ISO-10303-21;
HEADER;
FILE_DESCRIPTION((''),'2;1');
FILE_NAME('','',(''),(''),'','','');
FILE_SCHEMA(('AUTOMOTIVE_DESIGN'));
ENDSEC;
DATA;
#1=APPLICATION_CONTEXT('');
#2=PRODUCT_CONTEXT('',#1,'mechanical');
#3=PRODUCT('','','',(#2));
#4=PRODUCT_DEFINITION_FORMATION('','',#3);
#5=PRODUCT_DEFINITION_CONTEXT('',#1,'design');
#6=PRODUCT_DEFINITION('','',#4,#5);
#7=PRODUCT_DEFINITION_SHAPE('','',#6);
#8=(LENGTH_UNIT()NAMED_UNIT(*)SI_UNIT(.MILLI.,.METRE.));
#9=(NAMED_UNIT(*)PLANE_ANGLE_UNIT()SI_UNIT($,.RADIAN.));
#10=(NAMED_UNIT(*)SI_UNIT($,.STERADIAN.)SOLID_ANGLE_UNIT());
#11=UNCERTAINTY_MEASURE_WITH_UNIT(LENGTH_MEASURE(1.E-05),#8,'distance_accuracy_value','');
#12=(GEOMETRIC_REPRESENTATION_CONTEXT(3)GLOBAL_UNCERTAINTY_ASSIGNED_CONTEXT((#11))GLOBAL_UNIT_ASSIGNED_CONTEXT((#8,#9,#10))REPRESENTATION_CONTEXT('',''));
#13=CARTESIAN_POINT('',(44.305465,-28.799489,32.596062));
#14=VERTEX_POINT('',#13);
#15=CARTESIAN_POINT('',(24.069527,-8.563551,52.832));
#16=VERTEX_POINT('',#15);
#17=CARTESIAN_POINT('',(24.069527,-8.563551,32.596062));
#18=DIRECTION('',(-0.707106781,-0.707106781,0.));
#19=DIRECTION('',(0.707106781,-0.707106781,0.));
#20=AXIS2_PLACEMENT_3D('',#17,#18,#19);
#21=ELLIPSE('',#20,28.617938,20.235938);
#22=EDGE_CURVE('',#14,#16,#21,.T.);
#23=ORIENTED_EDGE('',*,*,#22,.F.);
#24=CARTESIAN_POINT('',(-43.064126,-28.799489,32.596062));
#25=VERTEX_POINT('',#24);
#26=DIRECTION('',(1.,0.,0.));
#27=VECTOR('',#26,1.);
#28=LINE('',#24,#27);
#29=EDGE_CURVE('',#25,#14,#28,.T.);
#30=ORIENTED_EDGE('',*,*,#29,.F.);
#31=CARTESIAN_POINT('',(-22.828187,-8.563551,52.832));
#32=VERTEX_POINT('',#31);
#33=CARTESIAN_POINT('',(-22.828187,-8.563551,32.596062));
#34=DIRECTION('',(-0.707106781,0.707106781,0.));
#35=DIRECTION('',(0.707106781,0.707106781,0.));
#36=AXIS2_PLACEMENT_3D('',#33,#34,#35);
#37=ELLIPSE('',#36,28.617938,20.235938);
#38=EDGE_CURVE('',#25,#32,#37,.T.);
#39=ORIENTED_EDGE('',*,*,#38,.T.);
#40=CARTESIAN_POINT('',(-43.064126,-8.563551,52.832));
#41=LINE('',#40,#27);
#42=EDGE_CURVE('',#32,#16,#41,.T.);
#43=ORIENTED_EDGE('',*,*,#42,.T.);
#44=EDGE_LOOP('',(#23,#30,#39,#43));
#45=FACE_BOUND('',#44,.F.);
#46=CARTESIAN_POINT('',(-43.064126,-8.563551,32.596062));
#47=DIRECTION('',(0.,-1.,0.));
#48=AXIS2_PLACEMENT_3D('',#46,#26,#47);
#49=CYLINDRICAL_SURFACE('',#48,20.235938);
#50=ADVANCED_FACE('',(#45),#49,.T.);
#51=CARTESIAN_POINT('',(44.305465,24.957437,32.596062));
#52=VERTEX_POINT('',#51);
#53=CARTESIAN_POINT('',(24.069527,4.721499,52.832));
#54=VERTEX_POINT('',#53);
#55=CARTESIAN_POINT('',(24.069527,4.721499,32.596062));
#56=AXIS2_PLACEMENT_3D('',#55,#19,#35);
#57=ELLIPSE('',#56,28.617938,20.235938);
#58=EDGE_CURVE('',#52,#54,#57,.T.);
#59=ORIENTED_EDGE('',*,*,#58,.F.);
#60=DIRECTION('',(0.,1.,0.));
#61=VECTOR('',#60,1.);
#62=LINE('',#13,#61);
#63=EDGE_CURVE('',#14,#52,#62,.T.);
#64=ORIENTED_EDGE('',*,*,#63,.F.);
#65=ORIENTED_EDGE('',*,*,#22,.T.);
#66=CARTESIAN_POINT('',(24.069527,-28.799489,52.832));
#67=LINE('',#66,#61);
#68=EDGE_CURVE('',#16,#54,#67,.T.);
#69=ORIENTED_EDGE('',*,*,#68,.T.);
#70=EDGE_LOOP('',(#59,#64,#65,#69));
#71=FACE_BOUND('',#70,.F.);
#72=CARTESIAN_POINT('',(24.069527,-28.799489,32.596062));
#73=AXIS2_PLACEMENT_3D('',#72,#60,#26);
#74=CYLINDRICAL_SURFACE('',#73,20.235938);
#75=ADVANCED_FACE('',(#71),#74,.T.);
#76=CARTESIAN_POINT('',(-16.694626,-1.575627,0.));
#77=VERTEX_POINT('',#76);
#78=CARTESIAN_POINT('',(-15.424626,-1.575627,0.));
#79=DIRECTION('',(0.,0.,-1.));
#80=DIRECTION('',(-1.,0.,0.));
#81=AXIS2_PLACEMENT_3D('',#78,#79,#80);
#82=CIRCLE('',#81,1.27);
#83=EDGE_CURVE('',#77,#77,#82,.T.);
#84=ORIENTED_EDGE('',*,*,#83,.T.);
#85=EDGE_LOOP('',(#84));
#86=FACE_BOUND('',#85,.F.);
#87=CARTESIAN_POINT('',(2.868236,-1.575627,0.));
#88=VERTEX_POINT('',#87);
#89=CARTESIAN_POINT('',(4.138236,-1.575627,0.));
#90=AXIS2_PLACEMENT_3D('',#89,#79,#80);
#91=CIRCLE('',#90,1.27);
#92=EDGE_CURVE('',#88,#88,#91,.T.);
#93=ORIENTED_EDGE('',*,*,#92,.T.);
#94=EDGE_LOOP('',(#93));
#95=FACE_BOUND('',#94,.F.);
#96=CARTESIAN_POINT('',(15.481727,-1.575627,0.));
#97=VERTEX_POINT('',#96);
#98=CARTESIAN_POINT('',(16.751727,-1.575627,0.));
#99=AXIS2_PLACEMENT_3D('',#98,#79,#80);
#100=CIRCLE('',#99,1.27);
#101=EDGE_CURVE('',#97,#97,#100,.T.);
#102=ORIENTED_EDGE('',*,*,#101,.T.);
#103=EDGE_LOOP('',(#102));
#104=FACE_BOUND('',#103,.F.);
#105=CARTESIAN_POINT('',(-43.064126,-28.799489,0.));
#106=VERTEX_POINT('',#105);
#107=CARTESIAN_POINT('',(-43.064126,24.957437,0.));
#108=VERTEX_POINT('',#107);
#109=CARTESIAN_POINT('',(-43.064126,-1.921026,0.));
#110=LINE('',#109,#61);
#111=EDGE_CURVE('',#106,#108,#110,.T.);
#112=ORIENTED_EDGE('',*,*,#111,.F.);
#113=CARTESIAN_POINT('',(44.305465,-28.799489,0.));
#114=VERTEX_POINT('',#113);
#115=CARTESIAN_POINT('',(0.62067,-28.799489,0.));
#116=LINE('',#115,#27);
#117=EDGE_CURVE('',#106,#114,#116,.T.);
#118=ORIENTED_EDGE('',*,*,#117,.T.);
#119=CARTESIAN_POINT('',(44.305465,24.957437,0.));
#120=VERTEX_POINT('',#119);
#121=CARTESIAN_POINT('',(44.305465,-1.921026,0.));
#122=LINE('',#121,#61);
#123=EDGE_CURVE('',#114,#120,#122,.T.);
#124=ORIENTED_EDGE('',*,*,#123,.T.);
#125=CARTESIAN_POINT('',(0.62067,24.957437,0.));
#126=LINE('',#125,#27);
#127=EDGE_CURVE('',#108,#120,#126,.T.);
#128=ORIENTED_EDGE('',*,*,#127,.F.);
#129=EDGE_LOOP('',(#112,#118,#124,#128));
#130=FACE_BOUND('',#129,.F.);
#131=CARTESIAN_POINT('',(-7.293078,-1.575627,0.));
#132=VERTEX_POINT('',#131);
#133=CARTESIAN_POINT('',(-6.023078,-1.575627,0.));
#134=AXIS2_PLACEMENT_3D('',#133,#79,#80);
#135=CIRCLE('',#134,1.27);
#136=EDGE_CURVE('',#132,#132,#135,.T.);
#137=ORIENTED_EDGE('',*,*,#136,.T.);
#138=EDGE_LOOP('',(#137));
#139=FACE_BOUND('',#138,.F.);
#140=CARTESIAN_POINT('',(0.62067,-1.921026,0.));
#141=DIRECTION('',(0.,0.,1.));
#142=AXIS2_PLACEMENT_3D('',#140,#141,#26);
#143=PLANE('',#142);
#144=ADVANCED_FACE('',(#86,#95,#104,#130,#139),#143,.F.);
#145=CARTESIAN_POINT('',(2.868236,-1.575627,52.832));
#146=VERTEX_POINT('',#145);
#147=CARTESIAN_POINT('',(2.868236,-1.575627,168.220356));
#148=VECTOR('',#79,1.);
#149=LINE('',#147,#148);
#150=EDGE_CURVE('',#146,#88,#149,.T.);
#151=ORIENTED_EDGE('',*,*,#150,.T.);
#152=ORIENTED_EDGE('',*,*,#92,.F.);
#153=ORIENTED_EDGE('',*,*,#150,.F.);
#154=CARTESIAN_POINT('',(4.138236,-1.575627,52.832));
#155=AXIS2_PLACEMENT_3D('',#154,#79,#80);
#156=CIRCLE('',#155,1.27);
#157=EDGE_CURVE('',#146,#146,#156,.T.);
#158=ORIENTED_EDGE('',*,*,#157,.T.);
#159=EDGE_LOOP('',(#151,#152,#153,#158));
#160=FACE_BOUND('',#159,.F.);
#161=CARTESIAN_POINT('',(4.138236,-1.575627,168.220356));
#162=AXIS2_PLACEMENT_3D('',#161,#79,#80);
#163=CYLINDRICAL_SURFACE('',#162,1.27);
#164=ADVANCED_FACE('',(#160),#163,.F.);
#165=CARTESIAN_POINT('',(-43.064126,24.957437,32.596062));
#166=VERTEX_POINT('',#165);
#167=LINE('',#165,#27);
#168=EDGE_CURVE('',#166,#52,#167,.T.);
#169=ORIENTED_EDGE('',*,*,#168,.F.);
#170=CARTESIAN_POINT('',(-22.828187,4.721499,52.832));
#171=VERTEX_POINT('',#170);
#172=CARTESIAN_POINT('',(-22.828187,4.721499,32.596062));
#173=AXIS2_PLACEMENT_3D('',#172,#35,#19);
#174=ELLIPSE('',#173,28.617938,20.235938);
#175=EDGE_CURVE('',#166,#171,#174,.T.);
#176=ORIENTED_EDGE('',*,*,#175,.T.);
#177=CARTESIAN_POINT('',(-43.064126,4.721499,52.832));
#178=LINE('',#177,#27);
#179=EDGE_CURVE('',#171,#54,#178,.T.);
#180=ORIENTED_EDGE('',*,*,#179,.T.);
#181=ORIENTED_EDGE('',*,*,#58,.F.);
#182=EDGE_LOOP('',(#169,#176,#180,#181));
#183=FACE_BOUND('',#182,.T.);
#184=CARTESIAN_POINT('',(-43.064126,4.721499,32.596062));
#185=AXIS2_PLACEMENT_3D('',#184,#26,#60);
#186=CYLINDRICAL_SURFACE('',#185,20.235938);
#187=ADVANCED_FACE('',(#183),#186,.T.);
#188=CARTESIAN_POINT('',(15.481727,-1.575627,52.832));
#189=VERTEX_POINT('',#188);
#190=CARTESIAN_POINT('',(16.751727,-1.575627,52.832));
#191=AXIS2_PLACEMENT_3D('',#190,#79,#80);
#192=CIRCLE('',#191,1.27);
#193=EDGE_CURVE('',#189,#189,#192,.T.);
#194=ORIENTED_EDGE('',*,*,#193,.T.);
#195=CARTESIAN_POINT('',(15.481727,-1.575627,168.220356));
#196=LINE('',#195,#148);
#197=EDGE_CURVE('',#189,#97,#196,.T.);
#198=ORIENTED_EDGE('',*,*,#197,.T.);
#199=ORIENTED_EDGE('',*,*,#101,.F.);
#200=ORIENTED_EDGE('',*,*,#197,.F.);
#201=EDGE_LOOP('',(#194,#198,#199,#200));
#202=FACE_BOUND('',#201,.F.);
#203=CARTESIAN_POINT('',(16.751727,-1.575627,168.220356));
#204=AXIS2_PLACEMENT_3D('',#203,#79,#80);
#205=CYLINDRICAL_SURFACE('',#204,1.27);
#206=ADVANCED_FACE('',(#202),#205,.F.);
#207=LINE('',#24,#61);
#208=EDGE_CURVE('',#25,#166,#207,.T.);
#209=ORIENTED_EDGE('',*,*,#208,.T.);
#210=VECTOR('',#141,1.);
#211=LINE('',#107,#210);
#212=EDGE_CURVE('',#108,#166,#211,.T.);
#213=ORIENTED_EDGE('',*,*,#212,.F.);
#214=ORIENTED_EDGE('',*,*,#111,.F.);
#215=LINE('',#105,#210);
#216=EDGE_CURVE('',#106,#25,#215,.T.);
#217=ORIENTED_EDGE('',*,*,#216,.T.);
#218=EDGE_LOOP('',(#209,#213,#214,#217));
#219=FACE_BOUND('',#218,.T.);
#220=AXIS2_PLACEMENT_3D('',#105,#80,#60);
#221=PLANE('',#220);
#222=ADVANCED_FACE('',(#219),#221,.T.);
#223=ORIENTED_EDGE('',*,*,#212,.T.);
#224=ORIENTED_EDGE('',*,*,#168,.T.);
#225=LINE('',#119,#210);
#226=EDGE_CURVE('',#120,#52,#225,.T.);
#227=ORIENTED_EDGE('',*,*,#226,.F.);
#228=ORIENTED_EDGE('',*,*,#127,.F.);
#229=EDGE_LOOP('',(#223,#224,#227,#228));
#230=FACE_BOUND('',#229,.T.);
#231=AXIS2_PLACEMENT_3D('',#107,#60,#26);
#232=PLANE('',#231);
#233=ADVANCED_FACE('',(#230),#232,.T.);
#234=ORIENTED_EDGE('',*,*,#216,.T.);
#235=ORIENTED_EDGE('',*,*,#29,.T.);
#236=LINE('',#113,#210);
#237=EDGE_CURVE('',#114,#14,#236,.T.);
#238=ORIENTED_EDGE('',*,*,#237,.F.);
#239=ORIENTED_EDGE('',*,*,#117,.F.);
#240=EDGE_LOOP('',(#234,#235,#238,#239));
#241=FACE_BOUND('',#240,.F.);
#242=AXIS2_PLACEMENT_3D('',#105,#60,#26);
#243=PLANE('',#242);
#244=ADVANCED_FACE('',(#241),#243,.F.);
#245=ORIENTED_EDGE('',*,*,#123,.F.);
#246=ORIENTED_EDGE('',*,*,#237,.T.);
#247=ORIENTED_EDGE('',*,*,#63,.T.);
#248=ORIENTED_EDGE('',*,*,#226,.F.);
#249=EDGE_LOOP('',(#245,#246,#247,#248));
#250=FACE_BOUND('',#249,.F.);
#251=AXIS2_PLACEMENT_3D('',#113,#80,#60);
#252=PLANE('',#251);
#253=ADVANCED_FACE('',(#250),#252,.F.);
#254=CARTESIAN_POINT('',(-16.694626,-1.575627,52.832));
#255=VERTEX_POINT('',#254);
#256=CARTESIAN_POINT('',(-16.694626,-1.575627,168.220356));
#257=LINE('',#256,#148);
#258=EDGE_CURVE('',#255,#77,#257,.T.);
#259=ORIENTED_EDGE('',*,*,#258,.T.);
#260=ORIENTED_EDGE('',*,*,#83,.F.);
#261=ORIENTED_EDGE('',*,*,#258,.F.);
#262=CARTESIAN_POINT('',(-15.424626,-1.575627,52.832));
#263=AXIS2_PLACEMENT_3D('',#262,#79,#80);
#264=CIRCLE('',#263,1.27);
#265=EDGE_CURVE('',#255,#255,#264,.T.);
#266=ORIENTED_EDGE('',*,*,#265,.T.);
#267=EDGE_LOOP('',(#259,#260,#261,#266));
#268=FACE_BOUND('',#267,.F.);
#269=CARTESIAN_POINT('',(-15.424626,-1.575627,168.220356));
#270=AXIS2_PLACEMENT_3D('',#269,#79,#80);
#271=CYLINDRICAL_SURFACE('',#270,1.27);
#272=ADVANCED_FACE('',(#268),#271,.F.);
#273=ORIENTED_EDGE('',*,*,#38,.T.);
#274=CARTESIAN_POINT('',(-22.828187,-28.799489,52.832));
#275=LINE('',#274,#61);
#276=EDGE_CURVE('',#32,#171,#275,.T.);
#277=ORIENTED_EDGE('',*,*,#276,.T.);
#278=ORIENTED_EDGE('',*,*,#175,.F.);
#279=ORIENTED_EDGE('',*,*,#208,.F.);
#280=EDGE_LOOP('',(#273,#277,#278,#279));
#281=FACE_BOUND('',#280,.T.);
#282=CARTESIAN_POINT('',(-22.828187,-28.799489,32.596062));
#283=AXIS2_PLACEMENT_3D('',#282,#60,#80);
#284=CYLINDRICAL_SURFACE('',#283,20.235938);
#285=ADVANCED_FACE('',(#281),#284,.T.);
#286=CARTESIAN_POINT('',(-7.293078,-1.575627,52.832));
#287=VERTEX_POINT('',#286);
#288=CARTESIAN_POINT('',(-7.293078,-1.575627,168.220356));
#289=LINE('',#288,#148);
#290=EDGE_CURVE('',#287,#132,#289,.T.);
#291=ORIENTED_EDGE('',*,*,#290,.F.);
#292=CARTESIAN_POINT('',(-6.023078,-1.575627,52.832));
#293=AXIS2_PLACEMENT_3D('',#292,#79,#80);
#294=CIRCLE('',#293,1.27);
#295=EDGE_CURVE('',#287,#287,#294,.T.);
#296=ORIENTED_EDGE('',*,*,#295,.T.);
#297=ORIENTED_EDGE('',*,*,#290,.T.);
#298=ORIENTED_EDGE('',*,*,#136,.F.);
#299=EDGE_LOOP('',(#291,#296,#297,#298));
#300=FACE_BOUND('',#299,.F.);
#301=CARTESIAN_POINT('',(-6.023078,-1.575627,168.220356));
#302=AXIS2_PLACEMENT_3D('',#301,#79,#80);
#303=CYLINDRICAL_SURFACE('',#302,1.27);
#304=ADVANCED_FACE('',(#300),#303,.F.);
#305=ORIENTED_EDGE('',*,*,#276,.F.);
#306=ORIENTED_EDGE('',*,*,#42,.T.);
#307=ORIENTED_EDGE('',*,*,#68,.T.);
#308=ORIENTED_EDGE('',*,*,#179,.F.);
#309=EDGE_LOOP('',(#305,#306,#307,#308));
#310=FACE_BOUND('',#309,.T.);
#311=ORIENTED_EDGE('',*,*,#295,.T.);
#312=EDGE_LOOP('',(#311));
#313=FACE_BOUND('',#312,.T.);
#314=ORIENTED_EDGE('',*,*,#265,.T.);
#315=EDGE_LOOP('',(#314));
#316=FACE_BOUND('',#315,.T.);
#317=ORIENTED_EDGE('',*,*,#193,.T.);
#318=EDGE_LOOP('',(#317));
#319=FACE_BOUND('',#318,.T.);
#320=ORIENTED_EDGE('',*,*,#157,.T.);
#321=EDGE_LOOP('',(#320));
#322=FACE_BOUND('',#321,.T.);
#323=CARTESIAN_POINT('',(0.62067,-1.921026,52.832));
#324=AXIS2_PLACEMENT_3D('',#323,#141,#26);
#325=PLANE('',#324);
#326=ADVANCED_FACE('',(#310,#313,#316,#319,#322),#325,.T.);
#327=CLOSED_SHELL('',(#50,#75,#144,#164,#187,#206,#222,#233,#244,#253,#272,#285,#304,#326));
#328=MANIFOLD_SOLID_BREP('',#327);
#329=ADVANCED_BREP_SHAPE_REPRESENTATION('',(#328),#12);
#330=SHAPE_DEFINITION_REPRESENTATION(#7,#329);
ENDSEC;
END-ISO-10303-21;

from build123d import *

# Parameters (mm, degrees)
F0_W     = 87.369591
F0_H     = 53.756926
F1_DEPTH = 52.832
F2_R     = 20.235938
F4_D     = 2.54


with BuildPart() as f1:
    # F0 (on Top) → F1 (new body)
    with BuildSketch(Plane.XY):
        with Locations((0.62067, -1.921026)):
            Rectangle(F0_W, F0_H)
    extrude(amount=F1_DEPTH)

    # F2
    f2_edges = [f1.edges().sort_by_distance(p)[0] for p in [
        (0.620671, -28.799489, 52.832),
        (0.620671, 24.957437, 52.832),
        (44.305466, -1.921026, 52.832),
        (-43.064125, -1.921026, 52.832),
    ]]
    fillet(f2_edges, radius=F2_R)

    # F4 (through all)
    with Locations(Plane.XY.offset(52.832)):
        with Locations((-15.424626, -1.575627), (-6.023078, -1.575627), (4.138236, -1.575627), (16.751727, -1.575627)):
            Hole(F4_D / 2)


solid = f1.part
